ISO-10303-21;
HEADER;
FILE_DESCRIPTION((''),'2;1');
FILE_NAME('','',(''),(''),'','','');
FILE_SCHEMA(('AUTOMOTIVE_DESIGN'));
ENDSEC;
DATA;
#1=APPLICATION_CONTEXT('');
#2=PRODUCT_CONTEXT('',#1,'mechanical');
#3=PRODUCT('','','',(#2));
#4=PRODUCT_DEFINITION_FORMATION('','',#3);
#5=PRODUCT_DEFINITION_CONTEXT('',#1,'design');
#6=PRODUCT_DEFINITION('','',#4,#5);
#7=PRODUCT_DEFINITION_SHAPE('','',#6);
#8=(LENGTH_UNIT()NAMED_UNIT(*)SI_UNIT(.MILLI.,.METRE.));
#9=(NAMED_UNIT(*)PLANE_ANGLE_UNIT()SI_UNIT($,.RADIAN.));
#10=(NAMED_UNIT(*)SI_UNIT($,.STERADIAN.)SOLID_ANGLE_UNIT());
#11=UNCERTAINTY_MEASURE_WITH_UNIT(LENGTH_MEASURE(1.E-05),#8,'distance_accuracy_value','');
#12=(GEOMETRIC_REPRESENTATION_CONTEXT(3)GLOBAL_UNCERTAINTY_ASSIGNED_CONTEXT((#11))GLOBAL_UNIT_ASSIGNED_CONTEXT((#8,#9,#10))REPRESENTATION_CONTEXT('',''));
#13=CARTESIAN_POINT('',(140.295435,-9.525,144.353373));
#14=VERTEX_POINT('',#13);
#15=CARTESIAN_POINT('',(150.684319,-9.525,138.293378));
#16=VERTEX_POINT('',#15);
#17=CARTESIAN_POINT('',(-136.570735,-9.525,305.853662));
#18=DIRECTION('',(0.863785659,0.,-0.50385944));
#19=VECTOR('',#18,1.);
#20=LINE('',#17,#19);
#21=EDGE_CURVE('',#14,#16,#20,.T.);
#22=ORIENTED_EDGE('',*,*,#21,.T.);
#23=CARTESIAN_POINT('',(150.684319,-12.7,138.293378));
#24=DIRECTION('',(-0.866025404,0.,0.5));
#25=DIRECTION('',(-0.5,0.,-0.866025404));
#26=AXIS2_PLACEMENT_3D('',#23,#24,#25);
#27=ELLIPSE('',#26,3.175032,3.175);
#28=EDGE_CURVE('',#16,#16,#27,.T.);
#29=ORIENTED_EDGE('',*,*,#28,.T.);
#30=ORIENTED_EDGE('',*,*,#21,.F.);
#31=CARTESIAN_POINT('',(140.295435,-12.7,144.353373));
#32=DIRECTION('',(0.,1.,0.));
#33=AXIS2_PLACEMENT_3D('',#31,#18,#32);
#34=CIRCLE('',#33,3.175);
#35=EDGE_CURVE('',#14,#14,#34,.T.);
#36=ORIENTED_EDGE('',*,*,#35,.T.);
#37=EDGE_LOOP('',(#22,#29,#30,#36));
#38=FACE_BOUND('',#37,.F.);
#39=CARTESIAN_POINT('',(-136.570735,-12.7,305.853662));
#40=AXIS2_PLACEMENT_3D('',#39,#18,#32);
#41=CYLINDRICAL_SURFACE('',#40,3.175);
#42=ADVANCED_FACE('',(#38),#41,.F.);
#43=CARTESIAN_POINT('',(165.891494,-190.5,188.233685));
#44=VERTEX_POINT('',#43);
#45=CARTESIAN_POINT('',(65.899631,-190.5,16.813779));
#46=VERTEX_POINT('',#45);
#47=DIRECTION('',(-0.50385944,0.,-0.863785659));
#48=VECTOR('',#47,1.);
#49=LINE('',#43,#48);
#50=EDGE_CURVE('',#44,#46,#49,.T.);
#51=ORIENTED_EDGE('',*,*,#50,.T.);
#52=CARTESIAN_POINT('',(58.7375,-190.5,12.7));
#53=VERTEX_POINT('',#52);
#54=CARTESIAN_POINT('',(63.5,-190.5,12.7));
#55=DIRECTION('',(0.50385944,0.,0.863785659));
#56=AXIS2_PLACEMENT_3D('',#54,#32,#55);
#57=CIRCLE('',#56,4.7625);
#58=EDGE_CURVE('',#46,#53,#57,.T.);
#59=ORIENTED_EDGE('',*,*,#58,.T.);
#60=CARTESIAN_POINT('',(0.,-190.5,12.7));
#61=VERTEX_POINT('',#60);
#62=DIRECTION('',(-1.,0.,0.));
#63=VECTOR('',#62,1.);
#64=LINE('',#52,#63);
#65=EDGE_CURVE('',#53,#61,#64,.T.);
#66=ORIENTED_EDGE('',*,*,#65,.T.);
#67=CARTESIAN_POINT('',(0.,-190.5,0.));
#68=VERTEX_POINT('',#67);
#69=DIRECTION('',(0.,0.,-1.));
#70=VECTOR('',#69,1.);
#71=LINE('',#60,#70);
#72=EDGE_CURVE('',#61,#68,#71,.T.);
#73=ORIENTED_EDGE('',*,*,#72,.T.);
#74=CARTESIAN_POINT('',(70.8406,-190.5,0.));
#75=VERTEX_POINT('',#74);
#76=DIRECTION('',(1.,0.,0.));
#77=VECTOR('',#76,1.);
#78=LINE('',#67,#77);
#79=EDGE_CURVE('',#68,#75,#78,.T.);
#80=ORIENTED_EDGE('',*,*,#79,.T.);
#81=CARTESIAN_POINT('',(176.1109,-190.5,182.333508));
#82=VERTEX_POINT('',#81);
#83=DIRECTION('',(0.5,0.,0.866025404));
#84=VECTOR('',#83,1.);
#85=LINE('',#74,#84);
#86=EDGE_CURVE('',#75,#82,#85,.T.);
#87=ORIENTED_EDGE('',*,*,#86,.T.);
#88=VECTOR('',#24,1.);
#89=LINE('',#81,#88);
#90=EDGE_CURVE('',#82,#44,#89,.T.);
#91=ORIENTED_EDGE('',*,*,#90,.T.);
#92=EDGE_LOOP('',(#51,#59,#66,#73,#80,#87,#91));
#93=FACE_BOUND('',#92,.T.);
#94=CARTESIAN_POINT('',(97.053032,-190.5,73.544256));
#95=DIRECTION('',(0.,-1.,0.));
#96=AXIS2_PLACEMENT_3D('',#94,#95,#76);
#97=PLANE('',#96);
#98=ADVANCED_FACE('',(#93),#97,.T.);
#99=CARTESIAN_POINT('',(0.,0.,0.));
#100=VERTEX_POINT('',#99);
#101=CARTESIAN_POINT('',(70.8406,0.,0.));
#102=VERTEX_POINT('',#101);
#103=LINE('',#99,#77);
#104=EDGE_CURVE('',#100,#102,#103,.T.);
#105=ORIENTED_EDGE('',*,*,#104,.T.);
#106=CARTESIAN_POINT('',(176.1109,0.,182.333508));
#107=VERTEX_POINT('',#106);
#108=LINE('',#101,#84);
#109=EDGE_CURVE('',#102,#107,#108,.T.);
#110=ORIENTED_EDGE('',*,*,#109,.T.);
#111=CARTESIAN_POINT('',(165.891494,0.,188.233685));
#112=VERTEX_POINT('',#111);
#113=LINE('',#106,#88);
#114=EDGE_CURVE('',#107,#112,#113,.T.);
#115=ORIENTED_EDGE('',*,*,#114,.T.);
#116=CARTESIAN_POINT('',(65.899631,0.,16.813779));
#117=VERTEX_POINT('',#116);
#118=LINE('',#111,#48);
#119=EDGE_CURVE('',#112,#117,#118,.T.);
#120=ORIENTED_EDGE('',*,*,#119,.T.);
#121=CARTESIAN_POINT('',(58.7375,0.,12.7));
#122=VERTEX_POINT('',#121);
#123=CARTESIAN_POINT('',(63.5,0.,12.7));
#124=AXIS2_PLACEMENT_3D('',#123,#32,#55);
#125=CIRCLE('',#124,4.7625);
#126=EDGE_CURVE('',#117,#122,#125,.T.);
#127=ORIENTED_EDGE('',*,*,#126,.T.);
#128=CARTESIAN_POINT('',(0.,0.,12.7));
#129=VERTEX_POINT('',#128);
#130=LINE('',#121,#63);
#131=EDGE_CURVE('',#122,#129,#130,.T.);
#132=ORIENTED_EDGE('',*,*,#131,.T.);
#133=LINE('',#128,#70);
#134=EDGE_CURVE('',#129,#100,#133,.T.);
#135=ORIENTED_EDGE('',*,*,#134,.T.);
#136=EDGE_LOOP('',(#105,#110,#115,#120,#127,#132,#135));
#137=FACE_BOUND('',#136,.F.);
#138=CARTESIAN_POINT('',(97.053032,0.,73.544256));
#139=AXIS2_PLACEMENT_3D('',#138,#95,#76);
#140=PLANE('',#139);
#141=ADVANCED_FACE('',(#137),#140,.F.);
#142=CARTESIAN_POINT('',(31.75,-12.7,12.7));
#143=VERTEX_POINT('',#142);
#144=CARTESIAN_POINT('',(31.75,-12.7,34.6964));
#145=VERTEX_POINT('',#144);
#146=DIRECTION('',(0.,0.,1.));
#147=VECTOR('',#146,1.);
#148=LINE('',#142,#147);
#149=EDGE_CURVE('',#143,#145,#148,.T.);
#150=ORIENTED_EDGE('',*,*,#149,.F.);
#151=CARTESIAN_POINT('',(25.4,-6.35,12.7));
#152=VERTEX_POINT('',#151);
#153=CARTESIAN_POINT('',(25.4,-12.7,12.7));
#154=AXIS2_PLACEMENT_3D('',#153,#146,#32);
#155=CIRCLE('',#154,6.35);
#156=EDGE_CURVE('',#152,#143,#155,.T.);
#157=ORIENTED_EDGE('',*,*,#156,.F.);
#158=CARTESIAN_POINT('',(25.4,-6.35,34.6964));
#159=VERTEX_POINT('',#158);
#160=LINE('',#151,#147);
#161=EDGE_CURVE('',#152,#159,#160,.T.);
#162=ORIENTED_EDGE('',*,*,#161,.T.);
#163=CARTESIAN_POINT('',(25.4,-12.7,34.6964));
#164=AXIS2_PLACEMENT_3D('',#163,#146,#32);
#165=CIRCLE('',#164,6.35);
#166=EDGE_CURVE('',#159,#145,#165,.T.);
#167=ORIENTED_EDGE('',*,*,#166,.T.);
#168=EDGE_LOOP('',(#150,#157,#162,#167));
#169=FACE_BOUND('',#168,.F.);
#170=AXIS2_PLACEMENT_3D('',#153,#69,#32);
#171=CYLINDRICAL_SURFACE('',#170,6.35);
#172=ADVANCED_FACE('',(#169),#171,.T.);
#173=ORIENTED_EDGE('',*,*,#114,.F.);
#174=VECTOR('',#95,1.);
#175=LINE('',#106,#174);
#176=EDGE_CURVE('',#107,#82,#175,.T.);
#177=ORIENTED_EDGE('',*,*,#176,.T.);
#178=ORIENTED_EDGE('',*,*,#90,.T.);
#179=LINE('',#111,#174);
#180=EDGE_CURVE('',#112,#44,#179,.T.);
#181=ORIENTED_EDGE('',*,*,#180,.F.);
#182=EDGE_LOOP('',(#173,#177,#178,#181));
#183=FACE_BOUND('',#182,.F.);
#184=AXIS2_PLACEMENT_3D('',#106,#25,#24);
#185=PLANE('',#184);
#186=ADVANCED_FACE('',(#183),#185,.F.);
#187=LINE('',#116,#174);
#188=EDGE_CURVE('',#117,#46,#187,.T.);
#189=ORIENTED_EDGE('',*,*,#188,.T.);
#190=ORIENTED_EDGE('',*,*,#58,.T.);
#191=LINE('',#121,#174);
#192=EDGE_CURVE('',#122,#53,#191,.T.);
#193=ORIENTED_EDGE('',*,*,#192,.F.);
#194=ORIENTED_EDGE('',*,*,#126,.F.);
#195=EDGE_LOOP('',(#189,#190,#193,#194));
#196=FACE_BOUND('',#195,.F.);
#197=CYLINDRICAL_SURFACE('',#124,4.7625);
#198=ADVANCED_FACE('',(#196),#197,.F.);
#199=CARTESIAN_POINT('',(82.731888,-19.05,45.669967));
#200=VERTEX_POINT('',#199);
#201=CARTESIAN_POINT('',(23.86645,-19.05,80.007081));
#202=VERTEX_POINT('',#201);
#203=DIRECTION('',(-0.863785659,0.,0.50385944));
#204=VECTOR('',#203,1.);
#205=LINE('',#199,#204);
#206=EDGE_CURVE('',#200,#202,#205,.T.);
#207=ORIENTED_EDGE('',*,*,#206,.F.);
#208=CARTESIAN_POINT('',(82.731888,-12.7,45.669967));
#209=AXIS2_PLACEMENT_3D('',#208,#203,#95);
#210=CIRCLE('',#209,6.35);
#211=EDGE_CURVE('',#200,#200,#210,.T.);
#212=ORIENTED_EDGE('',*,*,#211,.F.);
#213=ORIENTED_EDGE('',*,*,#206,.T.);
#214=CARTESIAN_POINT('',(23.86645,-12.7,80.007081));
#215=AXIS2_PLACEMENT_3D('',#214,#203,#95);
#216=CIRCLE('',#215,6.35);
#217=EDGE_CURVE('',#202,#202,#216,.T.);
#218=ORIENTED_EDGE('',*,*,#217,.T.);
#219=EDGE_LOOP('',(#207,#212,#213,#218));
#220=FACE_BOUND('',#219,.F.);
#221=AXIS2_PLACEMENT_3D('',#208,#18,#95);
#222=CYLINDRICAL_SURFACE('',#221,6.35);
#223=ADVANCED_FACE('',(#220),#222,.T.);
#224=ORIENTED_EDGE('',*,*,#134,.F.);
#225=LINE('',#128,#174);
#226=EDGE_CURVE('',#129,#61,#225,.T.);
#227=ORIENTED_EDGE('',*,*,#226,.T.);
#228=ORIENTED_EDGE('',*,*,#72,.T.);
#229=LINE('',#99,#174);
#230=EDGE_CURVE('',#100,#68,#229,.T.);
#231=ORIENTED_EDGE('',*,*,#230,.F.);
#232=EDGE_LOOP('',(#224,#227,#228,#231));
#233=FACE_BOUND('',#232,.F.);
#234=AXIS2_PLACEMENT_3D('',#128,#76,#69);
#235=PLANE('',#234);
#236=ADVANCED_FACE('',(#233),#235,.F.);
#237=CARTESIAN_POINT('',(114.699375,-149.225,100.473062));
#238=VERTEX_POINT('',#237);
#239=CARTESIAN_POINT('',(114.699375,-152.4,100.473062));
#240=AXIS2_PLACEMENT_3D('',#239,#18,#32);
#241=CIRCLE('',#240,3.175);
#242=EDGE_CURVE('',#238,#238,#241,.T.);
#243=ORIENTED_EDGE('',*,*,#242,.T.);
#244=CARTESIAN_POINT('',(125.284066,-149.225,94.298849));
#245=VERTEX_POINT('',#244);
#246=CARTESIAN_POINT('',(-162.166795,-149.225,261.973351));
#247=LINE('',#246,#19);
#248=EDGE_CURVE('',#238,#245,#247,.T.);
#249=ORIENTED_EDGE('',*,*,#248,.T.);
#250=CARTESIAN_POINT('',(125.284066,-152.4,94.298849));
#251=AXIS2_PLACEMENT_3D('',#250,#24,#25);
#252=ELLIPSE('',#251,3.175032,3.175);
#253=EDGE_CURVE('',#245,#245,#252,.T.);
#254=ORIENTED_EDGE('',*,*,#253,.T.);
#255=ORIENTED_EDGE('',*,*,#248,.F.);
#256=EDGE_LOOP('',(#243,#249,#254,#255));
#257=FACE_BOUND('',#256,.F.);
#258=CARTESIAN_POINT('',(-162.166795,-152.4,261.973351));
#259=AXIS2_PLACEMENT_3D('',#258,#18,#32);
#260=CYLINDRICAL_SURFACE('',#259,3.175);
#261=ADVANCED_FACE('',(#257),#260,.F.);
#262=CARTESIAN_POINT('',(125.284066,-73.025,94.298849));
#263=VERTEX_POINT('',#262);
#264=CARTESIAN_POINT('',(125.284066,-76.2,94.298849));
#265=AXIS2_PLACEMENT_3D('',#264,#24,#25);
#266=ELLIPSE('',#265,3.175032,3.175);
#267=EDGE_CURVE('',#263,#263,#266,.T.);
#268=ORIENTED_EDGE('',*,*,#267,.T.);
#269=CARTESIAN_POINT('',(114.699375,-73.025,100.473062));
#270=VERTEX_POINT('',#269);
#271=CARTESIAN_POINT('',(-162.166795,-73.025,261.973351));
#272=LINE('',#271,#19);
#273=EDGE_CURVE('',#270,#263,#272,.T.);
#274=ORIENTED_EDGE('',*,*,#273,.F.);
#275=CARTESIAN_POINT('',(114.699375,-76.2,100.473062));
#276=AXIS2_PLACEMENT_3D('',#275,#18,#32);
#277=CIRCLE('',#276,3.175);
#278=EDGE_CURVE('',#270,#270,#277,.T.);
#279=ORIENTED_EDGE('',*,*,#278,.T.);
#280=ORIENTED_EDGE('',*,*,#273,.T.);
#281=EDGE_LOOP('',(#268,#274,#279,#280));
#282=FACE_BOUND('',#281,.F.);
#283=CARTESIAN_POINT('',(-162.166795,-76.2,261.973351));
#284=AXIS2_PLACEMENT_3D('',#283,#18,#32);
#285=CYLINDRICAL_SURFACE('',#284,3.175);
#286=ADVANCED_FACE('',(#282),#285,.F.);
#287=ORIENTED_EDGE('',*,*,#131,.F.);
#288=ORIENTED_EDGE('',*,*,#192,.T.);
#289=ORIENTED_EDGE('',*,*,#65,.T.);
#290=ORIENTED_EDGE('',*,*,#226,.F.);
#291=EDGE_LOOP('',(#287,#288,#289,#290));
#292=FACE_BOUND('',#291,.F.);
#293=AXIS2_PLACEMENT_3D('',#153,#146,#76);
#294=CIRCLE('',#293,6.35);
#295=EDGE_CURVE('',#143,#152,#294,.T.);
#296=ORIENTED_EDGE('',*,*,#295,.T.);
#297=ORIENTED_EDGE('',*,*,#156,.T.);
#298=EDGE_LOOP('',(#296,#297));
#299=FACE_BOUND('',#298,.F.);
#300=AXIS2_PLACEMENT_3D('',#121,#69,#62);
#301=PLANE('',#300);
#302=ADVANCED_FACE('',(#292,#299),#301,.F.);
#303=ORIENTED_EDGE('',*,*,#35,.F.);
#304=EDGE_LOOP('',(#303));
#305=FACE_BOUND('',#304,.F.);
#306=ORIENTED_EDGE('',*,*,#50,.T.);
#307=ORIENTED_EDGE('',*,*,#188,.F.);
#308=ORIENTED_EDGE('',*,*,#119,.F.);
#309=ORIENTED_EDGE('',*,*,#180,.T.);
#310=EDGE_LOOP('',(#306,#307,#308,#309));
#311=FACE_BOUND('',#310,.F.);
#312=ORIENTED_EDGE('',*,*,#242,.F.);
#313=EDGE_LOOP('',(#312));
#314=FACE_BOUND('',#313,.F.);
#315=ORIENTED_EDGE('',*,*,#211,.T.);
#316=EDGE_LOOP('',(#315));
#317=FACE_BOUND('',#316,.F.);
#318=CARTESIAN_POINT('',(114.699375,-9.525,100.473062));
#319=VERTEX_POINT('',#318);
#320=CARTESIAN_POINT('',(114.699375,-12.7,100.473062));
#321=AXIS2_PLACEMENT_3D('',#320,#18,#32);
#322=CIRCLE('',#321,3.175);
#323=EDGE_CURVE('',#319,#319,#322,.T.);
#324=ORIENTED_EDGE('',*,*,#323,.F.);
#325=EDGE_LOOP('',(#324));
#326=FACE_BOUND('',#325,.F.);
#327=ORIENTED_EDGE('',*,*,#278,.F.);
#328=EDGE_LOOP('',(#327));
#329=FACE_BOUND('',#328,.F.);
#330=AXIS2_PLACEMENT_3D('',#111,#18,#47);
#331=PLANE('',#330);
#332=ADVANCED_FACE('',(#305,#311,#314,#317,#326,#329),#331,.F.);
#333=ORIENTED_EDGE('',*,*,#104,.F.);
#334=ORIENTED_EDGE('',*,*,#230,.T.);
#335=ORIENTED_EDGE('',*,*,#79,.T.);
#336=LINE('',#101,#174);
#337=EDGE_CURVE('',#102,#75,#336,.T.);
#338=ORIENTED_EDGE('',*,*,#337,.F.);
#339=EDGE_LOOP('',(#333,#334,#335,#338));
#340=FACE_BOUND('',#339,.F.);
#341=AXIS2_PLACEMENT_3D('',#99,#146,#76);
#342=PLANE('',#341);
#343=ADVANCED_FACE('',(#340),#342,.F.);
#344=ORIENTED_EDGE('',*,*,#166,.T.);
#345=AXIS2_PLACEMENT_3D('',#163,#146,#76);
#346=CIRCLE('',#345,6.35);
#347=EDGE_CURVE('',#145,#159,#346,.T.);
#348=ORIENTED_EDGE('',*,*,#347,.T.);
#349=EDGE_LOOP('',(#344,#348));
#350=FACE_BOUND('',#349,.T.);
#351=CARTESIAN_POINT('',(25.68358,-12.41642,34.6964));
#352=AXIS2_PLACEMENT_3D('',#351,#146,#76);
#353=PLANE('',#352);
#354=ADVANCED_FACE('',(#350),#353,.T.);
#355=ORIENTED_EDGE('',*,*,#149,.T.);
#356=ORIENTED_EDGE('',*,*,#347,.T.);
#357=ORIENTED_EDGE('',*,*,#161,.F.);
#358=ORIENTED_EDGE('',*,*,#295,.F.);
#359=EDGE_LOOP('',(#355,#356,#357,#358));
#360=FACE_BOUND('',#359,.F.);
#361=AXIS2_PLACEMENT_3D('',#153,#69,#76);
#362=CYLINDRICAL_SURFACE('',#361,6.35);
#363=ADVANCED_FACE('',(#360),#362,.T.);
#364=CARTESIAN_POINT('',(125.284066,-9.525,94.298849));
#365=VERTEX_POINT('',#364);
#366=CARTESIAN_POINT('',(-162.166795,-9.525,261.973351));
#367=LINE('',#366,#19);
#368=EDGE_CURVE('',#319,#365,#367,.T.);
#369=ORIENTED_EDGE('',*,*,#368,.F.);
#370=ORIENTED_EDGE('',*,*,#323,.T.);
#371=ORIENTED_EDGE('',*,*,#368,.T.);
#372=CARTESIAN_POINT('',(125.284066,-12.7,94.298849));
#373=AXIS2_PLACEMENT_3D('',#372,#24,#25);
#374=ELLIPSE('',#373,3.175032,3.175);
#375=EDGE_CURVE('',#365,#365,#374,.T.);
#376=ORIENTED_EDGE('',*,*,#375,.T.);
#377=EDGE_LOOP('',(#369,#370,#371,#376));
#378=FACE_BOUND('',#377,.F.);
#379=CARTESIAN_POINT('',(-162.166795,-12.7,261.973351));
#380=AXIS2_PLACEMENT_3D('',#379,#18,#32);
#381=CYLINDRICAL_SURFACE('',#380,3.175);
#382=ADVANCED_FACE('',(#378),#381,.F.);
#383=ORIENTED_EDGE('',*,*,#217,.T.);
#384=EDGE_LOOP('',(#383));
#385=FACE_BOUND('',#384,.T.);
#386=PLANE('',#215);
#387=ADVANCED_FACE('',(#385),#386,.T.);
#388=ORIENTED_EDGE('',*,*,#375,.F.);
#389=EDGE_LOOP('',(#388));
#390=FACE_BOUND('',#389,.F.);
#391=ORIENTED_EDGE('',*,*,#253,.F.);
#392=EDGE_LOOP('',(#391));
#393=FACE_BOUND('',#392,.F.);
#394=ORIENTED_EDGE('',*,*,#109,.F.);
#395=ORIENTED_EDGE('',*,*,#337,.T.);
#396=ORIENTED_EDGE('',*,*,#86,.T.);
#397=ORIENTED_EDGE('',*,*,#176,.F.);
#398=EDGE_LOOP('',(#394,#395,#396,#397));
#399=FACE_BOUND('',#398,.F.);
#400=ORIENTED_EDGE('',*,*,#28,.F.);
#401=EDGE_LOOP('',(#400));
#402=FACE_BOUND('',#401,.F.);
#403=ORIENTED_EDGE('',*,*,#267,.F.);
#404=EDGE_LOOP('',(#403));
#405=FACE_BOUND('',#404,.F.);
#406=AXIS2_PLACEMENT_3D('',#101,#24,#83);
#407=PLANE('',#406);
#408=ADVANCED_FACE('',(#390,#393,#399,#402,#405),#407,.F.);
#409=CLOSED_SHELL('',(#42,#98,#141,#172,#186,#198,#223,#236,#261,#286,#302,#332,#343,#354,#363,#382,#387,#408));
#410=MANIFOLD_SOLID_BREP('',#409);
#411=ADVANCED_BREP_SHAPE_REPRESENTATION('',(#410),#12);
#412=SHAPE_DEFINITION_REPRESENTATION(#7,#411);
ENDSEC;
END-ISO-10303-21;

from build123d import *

# Parameters (mm, degrees)
F1_DEPTH = 190.5
F3_DEPTH = 21.9964
F4_R     = 6.35
F5_DEPTH = 68.1482
F6_D     = 6.35


with BuildPart() as f1:
    # F0 (on Front) → F1 (new body)
    with BuildSketch(Plane.XZ):
        with BuildLine():
            Line((0, 12.7), (0, 0))
            Line((0, 0), (70.8406, 0))
            Line((70.8406, 0), (176.1109, 182.333508128))
            Line((176.1109, 182.333508128), (165.8914941513, 188.2336848457))
            Line((165.8914941513, 188.2336848457), (65.8996305851, 16.8137791998))
            ThreePointArc((65.8996305851, 16.8137791998), (65.872041904, 8.5702514052), (58.7375, 12.7))
            Line((58.7375, 12.7), (0, 12.7))
        make_face()
    extrude(amount=F1_DEPTH)

    # F2 (on face) → F3 (join)
    with BuildSketch(Plane.XY.offset(12.7)):
        with BuildLine():
            ThreePointArc((25.4, -6.35), (20.9098719395, -17.1901280605), (31.75, -12.7))
            ThreePointArc((31.75, -12.7), (29.8901280605, -8.2098719395), (25.4, -6.35))
        make_face()
    extrude(amount=F3_DEPTH)

    # F4 (on face) → F5 (join)
    with BuildSketch(Plane(origin=(41.8516023858, 0, -24.4126824129), x_dir=(0, -1, 0), z_dir=(-0.8637856588, 0, 0.5038594404))):
        with Locations((12.7, 81.1343050771)):
            Circle(F4_R)
    extrude(amount=F5_DEPTH)

    # F6 (through all)
    with Locations(Plane(origin=(41.8516023858, 0, -24.4126824129), x_dir=(0, -1, 0), z_dir=(-0.8637856588, 0, 0.5038594404))):
        with Locations((12.7, 195.3795528826), (12.7, 144.5795528826), (76.2, 144.5795528826), (152.4, 144.5795528826)):
            Hole(F6_D / 2)


solid = f1.part
